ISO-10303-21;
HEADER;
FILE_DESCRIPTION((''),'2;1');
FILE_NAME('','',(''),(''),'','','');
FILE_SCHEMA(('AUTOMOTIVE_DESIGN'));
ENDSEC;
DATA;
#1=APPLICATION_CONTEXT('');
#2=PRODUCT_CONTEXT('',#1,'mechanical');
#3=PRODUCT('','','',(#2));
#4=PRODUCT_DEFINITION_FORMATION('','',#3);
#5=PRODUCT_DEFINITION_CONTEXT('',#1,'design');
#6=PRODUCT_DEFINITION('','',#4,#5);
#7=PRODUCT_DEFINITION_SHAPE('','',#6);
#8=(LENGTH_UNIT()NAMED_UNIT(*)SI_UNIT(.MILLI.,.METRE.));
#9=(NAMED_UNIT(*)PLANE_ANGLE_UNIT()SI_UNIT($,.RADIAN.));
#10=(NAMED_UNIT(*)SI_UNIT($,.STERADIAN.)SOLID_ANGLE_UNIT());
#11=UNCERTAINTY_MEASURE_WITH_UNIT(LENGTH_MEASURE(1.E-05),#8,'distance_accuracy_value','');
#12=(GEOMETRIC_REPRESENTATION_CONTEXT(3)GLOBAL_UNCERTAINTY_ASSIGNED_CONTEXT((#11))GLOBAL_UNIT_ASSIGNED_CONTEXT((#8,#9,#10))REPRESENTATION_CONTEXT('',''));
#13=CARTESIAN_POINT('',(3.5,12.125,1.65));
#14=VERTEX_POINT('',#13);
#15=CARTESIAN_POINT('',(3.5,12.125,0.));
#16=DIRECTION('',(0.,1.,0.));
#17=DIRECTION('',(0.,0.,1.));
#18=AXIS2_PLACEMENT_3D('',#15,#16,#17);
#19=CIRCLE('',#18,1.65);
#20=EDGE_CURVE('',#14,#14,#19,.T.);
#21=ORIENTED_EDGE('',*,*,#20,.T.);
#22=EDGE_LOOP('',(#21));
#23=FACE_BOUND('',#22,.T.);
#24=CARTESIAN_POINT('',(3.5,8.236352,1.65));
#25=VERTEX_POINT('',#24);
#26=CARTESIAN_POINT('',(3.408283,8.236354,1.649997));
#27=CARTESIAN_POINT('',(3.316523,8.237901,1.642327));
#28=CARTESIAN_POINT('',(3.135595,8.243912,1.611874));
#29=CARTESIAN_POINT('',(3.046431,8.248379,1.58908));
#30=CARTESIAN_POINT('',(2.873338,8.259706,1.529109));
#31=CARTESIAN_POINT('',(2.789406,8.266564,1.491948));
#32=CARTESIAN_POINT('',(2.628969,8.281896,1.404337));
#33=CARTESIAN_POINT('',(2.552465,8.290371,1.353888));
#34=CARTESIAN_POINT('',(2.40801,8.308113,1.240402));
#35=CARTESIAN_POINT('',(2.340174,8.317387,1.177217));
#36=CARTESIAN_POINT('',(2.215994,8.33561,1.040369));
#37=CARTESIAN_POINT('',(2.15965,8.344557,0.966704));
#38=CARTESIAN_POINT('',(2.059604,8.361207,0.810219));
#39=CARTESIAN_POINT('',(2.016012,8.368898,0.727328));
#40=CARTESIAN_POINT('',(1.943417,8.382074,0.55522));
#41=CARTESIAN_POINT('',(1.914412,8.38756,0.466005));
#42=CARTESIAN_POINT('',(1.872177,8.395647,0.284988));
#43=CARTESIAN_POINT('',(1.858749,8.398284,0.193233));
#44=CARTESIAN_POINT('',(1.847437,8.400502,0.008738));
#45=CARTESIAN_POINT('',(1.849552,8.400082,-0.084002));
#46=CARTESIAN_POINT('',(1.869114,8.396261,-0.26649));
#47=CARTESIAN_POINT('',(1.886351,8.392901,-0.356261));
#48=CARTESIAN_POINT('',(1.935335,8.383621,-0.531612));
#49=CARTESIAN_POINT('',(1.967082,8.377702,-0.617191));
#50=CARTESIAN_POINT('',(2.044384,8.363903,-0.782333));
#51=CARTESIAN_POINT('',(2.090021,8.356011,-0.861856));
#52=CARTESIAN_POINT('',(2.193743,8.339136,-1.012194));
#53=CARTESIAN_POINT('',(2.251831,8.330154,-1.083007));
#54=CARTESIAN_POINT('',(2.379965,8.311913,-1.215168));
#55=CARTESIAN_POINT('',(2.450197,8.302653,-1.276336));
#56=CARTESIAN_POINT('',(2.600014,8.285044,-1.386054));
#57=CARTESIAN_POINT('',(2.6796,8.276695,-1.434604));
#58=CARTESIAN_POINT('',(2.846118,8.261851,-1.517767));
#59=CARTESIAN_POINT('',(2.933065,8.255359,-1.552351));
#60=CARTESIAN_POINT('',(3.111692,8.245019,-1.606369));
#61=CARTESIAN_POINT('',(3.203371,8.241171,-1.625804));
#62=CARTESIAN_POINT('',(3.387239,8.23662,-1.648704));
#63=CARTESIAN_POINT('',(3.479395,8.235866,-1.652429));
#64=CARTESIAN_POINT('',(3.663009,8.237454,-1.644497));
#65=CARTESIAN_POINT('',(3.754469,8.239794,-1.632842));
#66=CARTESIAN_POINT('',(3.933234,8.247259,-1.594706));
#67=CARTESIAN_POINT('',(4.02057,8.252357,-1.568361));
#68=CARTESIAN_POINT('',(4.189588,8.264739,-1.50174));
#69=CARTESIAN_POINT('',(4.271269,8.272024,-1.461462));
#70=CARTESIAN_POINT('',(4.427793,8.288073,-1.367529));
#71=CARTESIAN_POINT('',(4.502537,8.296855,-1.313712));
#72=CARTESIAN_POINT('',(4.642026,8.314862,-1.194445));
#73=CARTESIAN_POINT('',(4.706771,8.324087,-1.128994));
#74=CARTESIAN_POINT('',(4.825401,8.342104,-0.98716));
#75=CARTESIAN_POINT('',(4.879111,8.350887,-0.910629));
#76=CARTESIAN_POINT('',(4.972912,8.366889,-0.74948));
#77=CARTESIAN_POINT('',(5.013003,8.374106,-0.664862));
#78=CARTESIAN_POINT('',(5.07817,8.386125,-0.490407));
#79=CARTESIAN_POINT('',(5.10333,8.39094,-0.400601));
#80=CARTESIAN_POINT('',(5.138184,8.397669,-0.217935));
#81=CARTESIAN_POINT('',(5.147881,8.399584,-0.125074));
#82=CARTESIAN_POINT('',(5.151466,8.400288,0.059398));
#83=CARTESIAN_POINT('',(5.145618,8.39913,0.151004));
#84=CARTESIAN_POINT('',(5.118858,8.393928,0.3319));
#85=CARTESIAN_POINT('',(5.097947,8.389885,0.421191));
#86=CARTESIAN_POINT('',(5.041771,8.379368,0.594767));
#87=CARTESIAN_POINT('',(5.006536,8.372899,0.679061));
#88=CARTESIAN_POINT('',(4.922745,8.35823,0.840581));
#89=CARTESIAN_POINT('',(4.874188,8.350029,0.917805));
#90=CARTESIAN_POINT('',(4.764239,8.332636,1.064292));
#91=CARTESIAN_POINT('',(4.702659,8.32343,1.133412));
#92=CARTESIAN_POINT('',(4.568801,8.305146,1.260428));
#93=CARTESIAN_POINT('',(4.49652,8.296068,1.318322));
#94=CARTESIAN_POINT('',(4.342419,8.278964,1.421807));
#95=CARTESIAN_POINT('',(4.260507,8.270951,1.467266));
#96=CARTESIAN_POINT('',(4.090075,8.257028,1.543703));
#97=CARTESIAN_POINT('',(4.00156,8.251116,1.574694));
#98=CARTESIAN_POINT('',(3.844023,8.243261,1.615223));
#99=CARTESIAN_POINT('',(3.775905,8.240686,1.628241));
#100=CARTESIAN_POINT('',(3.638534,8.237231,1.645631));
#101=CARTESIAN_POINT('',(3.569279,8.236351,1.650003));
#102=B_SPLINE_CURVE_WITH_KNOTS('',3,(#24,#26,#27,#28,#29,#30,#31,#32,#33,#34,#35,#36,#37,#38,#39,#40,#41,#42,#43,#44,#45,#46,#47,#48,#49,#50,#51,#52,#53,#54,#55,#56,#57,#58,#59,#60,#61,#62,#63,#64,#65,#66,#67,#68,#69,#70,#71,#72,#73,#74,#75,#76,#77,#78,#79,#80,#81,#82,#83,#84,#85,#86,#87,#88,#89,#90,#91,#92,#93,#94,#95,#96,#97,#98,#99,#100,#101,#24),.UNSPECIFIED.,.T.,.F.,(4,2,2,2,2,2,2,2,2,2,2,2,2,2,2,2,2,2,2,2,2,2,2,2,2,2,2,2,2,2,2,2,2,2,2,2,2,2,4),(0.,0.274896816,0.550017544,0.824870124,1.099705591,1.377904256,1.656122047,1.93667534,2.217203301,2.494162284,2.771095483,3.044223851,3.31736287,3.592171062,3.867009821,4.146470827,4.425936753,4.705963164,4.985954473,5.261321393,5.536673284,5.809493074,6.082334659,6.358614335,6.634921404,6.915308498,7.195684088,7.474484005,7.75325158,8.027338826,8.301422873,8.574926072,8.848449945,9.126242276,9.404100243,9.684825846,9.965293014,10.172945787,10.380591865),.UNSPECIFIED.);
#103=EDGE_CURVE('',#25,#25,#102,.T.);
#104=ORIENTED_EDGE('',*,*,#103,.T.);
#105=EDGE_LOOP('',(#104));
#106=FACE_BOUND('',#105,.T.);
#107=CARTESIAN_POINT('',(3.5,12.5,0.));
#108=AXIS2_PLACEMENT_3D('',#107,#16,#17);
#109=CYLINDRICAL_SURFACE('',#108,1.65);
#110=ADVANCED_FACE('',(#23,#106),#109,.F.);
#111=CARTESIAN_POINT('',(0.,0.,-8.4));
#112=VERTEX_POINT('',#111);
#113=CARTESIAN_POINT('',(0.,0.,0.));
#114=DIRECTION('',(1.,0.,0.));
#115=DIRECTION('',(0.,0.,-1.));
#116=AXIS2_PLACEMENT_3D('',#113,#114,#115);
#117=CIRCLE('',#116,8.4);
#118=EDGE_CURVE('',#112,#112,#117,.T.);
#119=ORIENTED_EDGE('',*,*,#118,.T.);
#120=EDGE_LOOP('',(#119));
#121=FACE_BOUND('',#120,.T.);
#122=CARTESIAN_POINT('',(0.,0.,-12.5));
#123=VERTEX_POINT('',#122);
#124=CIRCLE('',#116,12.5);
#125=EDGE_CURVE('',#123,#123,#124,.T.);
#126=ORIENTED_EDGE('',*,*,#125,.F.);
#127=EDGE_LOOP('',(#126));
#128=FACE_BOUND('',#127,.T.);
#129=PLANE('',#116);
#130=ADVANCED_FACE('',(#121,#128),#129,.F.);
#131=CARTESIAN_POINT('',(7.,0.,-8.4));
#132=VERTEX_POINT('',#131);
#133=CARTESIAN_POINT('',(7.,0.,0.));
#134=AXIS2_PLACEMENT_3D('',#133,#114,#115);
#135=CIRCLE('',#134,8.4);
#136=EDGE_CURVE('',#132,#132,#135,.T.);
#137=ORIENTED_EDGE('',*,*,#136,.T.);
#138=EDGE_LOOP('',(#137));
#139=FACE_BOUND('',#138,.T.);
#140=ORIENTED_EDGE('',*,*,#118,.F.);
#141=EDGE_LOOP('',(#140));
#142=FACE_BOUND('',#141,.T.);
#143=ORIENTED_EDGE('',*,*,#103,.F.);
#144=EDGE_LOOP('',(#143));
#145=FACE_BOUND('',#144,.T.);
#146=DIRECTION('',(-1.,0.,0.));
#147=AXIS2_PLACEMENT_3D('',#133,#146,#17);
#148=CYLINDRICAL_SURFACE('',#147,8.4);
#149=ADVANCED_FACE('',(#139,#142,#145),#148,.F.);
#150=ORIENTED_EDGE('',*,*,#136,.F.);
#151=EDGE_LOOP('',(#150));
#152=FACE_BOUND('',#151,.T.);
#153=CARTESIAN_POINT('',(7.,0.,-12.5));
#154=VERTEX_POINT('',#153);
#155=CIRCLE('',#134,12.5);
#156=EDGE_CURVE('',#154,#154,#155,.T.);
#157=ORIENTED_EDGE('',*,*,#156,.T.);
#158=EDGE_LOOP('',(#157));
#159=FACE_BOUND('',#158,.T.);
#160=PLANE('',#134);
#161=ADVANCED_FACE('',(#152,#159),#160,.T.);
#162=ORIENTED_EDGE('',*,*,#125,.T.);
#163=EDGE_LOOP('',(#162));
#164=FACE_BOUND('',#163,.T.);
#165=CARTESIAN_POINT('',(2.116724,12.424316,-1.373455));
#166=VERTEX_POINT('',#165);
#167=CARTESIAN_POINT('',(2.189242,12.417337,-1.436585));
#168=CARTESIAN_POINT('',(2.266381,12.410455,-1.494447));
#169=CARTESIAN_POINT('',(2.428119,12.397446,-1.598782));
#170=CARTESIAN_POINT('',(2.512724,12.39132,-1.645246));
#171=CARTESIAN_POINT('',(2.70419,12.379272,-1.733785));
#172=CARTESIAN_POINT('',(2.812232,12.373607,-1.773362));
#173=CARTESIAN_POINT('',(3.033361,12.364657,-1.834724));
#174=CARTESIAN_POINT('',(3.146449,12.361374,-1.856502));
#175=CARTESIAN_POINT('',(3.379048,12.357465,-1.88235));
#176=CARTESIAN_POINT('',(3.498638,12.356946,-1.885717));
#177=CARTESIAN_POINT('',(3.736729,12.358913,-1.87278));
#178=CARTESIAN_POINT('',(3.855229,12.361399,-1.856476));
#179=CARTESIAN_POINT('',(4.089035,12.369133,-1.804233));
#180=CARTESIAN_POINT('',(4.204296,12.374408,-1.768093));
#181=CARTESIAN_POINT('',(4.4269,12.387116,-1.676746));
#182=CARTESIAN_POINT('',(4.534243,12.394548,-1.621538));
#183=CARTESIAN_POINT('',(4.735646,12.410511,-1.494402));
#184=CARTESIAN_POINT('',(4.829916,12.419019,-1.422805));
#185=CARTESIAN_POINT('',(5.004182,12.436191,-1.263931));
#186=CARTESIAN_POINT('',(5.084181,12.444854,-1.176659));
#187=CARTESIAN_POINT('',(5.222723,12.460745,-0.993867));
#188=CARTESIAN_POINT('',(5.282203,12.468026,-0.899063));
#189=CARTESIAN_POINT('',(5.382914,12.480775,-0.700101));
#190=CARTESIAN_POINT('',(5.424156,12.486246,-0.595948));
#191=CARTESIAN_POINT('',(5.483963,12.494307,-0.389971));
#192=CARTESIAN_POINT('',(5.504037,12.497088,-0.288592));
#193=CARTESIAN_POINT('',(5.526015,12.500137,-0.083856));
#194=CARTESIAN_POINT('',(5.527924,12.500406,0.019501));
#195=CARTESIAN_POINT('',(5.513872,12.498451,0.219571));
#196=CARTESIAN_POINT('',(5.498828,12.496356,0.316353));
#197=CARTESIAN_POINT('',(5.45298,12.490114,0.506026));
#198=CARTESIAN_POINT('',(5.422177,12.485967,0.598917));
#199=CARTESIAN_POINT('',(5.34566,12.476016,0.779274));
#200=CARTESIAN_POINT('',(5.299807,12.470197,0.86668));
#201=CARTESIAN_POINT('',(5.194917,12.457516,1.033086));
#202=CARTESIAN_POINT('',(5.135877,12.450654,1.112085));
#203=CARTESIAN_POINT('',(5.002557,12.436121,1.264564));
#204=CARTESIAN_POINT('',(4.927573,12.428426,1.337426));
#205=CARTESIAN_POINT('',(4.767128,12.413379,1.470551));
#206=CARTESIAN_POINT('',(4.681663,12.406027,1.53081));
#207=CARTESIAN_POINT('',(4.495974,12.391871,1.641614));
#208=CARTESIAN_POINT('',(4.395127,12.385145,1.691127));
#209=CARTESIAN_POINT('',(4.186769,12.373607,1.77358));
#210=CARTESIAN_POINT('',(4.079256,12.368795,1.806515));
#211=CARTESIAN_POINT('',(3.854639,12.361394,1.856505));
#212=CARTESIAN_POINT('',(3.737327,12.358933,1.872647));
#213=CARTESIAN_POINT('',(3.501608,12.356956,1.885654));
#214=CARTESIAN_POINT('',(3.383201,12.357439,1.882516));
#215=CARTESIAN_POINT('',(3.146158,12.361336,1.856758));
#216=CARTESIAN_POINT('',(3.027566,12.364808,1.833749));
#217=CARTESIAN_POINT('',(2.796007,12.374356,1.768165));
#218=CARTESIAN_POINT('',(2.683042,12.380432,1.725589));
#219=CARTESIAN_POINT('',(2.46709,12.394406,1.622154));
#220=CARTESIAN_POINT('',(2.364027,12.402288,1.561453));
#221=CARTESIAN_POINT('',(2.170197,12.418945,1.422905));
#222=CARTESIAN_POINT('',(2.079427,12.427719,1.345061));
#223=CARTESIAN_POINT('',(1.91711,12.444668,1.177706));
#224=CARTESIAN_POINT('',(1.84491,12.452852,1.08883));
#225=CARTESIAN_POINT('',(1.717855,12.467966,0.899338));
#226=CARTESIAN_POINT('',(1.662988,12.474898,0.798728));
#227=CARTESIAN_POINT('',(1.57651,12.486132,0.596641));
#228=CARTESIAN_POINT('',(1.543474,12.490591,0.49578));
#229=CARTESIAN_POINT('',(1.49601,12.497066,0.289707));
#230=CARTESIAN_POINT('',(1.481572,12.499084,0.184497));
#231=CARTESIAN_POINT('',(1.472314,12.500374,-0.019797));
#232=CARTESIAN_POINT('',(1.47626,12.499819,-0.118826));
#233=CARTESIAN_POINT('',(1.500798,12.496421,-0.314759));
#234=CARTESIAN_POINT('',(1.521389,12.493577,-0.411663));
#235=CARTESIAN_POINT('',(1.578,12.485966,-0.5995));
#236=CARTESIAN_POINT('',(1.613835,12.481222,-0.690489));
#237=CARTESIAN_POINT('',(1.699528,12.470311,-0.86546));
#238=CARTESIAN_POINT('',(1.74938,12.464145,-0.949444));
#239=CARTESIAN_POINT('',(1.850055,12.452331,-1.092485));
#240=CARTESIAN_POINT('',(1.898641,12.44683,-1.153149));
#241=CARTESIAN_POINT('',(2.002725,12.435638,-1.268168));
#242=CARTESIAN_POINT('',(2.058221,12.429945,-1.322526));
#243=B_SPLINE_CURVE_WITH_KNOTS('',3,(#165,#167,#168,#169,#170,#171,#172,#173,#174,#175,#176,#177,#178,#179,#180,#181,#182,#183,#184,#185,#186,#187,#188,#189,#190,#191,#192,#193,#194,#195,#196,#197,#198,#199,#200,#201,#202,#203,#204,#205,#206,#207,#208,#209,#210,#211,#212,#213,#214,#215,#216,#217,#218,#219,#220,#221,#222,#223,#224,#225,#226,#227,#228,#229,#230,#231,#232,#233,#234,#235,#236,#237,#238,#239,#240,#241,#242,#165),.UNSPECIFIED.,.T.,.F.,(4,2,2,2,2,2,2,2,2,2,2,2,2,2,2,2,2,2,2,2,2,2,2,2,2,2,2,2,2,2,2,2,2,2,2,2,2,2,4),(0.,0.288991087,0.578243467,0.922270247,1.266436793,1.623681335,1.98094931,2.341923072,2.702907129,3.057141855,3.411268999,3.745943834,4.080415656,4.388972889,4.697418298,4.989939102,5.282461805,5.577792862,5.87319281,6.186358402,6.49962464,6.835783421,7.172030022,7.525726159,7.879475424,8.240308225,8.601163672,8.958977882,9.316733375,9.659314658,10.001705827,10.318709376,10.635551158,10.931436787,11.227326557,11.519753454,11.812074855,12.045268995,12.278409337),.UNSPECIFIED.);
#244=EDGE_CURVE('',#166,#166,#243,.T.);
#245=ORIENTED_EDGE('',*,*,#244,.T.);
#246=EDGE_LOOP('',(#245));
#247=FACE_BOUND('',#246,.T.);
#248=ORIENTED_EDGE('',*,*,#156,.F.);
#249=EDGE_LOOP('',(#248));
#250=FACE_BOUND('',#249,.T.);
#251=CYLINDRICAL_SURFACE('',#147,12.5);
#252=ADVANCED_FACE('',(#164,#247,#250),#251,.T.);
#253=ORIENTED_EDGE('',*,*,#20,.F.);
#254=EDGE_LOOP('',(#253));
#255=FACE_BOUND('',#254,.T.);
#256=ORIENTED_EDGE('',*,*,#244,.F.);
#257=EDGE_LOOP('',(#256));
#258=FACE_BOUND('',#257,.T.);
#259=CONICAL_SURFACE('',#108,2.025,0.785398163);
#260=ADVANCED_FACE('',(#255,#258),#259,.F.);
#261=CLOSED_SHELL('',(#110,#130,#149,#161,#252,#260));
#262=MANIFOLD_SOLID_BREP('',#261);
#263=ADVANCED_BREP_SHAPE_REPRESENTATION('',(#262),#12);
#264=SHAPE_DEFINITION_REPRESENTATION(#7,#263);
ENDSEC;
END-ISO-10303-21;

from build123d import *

# Parameters (mm, degrees)
SKETCH1_R                   = 12.5
SKETCH1_R_2                 = 8.4
BOSS_EXTRUDE1_DEPTH         = 7
M4_TAPPED_HOLE1_D           = 3.3
M4_TAPPED_HOLE1_DEPTH       = 11.5
M4_TAPPED_HOLE1_CSINK_D     = 4.05
M4_TAPPED_HOLE1_CSINK_ANGLE = 90
M4_TAPPED_HOLE1_TIP         = 0.991420021


with BuildPart() as part:
    # Sketch1 → Boss-Extrude1 (new body)
    with BuildSketch(Plane(origin=(0, 0, 0), x_dir=(0, 0, -1), z_dir=(1, 0, 0))):
        Circle(SKETCH1_R)
        Circle(SKETCH1_R_2, mode=Mode.SUBTRACT)
    extrude(amount=BOSS_EXTRUDE1_DEPTH)

    # M4 Tapped Hole1
    with Locations(Plane(origin=(3.5, 12.5, 0), x_dir=(0, 0, 1), z_dir=(0, 1, 0))):
        with Locations((0, 0)):
            CounterSinkHole(M4_TAPPED_HOLE1_D / 2, M4_TAPPED_HOLE1_CSINK_D / 2, depth=M4_TAPPED_HOLE1_DEPTH, counter_sink_angle=M4_TAPPED_HOLE1_CSINK_ANGLE)
            with Locations((0, 0, -(M4_TAPPED_HOLE1_DEPTH + M4_TAPPED_HOLE1_TIP / 2))):  # 118° drill point
                Cone(0, M4_TAPPED_HOLE1_D / 2, M4_TAPPED_HOLE1_TIP, mode=Mode.SUBTRACT)


solid = part.part
